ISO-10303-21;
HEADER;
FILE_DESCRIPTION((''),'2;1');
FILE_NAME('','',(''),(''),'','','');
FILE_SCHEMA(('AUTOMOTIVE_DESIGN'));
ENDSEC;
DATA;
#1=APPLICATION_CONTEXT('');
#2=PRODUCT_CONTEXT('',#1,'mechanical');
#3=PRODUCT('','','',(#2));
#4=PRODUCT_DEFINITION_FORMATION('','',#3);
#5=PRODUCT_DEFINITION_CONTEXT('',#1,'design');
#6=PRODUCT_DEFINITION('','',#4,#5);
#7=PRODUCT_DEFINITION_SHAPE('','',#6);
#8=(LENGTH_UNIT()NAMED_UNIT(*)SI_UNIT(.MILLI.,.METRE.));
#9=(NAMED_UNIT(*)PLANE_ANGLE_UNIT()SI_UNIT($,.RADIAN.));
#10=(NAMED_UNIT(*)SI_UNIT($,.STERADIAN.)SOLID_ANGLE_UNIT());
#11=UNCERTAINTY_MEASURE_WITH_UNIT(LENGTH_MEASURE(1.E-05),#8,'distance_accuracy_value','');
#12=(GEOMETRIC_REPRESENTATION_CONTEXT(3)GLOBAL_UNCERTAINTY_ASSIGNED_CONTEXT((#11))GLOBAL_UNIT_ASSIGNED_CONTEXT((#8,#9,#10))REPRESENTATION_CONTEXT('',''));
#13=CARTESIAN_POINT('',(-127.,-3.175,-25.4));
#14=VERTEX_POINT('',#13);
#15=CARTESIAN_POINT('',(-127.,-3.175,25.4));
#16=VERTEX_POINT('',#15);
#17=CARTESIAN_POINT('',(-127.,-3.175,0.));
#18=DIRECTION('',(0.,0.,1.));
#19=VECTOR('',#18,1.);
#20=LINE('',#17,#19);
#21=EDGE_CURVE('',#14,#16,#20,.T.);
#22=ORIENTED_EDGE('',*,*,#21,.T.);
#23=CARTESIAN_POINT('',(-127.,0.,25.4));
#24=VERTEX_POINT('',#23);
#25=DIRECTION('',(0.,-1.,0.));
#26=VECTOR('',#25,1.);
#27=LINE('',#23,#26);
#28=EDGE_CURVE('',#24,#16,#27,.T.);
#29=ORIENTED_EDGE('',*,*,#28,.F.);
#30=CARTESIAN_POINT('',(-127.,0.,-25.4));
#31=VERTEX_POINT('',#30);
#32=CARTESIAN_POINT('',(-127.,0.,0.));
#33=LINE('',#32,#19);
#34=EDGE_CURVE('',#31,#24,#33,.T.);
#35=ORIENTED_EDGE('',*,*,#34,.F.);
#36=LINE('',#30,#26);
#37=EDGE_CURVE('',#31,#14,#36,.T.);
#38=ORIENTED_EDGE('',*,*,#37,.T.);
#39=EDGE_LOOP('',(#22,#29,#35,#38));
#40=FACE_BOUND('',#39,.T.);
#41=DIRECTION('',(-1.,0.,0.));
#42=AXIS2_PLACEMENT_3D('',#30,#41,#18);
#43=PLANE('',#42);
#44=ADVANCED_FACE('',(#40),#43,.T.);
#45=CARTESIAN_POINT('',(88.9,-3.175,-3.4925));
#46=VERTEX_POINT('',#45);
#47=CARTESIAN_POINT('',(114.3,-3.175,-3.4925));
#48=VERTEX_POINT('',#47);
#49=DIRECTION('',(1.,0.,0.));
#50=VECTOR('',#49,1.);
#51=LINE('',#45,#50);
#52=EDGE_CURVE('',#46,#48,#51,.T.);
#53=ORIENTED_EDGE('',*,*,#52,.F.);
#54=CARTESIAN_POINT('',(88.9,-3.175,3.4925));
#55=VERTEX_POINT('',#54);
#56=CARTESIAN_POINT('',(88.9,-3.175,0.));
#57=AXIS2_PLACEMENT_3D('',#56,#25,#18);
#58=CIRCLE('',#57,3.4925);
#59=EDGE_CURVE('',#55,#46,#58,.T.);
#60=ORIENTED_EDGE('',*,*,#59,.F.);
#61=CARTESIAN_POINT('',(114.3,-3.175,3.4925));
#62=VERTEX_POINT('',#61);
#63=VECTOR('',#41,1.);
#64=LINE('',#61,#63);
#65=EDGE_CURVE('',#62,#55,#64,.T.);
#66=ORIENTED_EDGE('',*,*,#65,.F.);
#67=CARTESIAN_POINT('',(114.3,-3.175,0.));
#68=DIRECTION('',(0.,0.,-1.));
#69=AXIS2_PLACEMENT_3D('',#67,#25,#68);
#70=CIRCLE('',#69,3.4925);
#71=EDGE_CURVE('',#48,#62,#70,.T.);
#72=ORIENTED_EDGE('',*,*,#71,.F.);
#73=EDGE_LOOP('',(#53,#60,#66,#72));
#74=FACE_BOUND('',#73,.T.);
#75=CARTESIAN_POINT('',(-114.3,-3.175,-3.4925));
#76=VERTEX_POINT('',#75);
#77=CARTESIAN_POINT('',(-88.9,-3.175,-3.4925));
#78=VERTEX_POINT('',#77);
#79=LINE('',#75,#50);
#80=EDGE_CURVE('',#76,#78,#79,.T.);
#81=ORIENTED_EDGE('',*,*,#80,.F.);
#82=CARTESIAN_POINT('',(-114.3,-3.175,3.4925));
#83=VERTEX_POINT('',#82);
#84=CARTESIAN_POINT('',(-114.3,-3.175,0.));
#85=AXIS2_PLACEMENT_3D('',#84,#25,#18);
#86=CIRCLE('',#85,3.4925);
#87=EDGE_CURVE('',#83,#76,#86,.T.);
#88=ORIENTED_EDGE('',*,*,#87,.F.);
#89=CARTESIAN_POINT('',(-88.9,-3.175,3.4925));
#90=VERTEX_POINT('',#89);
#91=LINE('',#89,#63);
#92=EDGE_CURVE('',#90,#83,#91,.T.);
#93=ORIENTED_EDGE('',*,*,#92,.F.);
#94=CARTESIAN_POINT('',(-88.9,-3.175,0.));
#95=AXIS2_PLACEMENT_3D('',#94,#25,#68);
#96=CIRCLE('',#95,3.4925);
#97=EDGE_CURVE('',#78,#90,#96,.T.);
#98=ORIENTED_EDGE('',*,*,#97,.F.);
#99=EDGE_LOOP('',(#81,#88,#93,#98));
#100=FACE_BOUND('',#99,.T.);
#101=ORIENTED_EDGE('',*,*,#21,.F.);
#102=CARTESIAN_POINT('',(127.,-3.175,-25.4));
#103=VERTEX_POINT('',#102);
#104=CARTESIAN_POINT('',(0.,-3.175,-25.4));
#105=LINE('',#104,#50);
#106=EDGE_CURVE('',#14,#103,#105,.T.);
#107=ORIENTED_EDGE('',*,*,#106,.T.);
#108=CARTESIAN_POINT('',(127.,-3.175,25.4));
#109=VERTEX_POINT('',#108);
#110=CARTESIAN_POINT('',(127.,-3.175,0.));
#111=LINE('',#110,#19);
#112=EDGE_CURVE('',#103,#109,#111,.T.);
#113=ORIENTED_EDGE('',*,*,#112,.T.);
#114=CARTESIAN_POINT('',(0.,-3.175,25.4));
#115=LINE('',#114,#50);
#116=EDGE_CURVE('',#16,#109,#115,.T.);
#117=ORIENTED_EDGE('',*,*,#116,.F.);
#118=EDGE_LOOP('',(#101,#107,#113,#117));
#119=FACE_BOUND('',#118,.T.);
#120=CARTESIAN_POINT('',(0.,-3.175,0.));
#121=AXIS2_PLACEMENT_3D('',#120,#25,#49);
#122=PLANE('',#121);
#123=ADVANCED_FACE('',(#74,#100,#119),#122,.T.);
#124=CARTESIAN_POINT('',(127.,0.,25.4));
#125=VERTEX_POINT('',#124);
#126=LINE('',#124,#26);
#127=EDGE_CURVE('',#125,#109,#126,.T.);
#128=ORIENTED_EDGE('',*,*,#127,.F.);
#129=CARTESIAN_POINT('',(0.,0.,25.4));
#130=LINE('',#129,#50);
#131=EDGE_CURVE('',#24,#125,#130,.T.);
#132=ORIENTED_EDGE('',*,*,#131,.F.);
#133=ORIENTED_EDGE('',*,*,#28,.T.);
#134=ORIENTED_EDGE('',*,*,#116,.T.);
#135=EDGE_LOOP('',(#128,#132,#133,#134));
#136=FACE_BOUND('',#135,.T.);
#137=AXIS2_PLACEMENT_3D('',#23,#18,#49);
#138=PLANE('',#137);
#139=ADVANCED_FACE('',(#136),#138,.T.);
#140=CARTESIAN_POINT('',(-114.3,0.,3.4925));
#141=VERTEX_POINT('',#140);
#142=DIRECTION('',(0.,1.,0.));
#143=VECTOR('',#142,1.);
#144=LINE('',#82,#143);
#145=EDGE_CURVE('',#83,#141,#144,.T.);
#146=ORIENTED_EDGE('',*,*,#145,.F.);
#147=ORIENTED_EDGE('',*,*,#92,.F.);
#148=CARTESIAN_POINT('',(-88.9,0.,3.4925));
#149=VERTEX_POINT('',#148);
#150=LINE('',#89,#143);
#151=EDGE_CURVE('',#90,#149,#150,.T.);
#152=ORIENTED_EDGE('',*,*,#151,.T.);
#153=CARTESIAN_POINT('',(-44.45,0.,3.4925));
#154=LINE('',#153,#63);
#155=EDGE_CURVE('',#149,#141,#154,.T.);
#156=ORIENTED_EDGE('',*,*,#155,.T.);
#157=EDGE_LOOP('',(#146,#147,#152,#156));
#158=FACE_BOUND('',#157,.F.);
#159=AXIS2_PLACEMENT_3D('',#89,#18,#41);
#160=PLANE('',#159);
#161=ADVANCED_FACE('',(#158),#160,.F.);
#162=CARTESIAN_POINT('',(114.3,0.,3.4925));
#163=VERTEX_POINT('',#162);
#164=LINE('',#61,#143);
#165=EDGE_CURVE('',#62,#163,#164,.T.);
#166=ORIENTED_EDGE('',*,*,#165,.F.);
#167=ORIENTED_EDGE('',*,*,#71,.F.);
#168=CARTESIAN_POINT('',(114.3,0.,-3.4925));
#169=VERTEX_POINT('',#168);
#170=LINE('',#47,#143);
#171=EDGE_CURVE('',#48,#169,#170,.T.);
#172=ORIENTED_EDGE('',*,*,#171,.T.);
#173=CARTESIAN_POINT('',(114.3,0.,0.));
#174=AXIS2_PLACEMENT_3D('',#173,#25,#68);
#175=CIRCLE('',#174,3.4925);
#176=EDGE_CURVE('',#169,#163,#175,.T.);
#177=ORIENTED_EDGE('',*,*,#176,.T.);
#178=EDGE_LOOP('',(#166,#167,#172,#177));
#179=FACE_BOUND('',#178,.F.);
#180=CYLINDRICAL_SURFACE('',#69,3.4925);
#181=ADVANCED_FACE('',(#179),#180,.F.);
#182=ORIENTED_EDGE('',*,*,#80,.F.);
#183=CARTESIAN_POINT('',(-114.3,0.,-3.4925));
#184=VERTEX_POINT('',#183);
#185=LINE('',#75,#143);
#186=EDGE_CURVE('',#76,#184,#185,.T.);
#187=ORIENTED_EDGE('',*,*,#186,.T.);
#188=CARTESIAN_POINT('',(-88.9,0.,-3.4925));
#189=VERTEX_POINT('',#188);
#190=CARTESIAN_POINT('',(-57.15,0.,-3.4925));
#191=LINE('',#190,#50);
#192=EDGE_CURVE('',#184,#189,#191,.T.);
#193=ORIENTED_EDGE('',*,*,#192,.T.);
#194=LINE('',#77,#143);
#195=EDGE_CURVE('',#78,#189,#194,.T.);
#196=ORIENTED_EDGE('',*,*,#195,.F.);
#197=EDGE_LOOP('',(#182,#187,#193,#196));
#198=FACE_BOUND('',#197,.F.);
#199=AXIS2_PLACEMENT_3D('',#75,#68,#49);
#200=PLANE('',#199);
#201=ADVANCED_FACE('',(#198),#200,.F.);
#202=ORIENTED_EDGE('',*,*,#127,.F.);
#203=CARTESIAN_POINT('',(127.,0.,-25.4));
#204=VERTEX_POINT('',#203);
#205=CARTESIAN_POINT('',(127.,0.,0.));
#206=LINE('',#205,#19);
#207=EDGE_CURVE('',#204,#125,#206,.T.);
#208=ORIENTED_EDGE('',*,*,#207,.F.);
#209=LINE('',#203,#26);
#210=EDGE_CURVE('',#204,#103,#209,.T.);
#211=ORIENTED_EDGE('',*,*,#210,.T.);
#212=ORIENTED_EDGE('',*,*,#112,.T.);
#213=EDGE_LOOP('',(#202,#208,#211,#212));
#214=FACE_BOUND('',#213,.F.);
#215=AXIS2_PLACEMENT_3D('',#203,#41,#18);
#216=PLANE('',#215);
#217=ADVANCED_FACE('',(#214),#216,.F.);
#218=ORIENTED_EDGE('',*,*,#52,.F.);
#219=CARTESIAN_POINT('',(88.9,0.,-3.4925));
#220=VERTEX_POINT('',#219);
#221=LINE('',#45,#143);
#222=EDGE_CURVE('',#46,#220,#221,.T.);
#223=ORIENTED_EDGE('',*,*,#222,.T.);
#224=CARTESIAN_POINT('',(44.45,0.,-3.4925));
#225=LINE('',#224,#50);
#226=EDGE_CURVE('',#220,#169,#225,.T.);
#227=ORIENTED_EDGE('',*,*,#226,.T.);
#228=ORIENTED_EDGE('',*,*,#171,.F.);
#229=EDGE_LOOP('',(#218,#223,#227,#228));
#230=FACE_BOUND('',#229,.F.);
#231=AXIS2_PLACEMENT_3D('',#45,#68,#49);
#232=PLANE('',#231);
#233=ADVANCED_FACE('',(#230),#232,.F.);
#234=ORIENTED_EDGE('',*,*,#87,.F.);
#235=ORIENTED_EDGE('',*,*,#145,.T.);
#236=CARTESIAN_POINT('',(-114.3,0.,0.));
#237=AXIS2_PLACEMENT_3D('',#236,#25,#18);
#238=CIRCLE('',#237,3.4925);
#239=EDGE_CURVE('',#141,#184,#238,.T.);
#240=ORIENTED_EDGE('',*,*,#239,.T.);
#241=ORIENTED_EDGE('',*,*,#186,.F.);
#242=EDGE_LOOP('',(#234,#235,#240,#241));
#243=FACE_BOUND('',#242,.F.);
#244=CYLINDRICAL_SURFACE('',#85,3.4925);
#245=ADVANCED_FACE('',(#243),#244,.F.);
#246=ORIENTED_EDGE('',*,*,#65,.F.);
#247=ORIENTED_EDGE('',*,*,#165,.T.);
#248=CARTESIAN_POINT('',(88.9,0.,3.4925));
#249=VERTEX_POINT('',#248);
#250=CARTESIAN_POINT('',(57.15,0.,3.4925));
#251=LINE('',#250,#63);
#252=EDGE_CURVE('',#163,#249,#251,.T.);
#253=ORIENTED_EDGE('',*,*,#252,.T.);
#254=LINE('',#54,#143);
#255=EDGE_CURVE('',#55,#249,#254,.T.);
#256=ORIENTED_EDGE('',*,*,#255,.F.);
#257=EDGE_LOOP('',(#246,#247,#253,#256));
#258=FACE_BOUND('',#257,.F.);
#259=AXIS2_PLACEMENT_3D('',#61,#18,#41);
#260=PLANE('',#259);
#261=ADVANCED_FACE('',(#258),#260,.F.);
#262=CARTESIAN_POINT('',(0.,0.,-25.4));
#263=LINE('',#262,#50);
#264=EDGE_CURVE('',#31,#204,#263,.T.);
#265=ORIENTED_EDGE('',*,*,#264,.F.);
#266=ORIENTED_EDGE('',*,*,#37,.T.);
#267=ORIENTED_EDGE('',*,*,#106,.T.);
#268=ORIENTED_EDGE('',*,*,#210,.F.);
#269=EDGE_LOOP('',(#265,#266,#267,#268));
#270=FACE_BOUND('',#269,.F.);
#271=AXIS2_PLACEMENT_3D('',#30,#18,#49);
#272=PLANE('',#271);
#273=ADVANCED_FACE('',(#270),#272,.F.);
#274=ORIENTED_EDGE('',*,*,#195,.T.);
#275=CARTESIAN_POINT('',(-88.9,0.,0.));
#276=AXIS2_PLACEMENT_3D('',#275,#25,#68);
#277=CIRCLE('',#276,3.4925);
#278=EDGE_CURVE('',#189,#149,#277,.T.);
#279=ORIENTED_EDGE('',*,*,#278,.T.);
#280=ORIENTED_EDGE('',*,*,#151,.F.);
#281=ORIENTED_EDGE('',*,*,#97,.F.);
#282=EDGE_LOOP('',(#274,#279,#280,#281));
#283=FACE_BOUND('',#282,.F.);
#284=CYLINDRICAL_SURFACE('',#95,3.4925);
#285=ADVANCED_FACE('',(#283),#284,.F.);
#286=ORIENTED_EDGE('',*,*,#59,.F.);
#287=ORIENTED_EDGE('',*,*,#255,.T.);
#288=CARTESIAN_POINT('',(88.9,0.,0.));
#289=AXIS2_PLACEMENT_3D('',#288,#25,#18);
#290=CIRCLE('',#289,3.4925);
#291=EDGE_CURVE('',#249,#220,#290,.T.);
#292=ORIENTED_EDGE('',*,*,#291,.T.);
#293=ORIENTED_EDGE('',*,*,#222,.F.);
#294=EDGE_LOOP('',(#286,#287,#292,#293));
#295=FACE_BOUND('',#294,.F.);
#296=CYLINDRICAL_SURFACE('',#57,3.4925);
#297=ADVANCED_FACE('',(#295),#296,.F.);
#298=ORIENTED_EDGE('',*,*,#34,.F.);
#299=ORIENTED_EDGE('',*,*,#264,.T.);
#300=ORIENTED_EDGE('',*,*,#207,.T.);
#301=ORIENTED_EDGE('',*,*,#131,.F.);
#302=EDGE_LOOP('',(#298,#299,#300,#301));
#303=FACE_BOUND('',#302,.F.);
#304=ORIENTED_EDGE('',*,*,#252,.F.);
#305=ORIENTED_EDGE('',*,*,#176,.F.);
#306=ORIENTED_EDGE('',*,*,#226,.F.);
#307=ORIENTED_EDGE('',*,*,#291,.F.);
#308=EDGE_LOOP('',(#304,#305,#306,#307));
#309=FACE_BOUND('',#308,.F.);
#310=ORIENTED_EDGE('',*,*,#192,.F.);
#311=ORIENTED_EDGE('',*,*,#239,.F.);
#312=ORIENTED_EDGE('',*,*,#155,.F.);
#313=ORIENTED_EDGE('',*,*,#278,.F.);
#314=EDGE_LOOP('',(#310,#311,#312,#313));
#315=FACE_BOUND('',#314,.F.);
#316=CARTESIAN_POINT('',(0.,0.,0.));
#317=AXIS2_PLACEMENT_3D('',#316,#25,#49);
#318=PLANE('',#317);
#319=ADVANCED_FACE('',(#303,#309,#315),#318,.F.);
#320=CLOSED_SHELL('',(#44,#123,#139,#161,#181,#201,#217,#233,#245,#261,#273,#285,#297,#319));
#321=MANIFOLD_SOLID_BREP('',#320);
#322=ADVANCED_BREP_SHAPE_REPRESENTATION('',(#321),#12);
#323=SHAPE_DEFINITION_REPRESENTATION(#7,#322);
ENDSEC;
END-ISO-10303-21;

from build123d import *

# Parameters (mm, degrees)
F0_W     = 254
F0_H     = 50.8
F1_DEPTH = 3.175
F3_DEPTH = 25.4


with BuildPart() as f1:
    # F0 (on Front) → F1 (new body)
    with BuildSketch(Plane.XZ):
        Rectangle(F0_W, F0_H)
    extrude(amount=F1_DEPTH)

    # F2 (on face) → F3 (cut)
    with BuildSketch(Plane.XZ.offset(3.175)):
        with BuildLine():
            Line((-88.9, 3.4925), (-114.3, 3.4925))
            ThreePointArc((-114.3, 3.4925), (-117.7925, 0), (-114.3, -3.4925))
            Line((-114.3, -3.4925), (-88.9, -3.4925))
            ThreePointArc((-88.9, -3.4925), (-85.4075, 0), (-88.9, 3.4925))
        make_face()
        with BuildLine():
            Line((88.9, -3.4925), (114.3, -3.4925))
            ThreePointArc((114.3, -3.4925), (117.7925, 0), (114.3, 3.4925))
            Line((114.3, 3.4925), (88.9, 3.4925))
            ThreePointArc((88.9, 3.4925), (85.4075, 0), (88.9, -3.4925))
        make_face()
    extrude(amount=-F3_DEPTH, mode=Mode.SUBTRACT)


solid = f1.part
